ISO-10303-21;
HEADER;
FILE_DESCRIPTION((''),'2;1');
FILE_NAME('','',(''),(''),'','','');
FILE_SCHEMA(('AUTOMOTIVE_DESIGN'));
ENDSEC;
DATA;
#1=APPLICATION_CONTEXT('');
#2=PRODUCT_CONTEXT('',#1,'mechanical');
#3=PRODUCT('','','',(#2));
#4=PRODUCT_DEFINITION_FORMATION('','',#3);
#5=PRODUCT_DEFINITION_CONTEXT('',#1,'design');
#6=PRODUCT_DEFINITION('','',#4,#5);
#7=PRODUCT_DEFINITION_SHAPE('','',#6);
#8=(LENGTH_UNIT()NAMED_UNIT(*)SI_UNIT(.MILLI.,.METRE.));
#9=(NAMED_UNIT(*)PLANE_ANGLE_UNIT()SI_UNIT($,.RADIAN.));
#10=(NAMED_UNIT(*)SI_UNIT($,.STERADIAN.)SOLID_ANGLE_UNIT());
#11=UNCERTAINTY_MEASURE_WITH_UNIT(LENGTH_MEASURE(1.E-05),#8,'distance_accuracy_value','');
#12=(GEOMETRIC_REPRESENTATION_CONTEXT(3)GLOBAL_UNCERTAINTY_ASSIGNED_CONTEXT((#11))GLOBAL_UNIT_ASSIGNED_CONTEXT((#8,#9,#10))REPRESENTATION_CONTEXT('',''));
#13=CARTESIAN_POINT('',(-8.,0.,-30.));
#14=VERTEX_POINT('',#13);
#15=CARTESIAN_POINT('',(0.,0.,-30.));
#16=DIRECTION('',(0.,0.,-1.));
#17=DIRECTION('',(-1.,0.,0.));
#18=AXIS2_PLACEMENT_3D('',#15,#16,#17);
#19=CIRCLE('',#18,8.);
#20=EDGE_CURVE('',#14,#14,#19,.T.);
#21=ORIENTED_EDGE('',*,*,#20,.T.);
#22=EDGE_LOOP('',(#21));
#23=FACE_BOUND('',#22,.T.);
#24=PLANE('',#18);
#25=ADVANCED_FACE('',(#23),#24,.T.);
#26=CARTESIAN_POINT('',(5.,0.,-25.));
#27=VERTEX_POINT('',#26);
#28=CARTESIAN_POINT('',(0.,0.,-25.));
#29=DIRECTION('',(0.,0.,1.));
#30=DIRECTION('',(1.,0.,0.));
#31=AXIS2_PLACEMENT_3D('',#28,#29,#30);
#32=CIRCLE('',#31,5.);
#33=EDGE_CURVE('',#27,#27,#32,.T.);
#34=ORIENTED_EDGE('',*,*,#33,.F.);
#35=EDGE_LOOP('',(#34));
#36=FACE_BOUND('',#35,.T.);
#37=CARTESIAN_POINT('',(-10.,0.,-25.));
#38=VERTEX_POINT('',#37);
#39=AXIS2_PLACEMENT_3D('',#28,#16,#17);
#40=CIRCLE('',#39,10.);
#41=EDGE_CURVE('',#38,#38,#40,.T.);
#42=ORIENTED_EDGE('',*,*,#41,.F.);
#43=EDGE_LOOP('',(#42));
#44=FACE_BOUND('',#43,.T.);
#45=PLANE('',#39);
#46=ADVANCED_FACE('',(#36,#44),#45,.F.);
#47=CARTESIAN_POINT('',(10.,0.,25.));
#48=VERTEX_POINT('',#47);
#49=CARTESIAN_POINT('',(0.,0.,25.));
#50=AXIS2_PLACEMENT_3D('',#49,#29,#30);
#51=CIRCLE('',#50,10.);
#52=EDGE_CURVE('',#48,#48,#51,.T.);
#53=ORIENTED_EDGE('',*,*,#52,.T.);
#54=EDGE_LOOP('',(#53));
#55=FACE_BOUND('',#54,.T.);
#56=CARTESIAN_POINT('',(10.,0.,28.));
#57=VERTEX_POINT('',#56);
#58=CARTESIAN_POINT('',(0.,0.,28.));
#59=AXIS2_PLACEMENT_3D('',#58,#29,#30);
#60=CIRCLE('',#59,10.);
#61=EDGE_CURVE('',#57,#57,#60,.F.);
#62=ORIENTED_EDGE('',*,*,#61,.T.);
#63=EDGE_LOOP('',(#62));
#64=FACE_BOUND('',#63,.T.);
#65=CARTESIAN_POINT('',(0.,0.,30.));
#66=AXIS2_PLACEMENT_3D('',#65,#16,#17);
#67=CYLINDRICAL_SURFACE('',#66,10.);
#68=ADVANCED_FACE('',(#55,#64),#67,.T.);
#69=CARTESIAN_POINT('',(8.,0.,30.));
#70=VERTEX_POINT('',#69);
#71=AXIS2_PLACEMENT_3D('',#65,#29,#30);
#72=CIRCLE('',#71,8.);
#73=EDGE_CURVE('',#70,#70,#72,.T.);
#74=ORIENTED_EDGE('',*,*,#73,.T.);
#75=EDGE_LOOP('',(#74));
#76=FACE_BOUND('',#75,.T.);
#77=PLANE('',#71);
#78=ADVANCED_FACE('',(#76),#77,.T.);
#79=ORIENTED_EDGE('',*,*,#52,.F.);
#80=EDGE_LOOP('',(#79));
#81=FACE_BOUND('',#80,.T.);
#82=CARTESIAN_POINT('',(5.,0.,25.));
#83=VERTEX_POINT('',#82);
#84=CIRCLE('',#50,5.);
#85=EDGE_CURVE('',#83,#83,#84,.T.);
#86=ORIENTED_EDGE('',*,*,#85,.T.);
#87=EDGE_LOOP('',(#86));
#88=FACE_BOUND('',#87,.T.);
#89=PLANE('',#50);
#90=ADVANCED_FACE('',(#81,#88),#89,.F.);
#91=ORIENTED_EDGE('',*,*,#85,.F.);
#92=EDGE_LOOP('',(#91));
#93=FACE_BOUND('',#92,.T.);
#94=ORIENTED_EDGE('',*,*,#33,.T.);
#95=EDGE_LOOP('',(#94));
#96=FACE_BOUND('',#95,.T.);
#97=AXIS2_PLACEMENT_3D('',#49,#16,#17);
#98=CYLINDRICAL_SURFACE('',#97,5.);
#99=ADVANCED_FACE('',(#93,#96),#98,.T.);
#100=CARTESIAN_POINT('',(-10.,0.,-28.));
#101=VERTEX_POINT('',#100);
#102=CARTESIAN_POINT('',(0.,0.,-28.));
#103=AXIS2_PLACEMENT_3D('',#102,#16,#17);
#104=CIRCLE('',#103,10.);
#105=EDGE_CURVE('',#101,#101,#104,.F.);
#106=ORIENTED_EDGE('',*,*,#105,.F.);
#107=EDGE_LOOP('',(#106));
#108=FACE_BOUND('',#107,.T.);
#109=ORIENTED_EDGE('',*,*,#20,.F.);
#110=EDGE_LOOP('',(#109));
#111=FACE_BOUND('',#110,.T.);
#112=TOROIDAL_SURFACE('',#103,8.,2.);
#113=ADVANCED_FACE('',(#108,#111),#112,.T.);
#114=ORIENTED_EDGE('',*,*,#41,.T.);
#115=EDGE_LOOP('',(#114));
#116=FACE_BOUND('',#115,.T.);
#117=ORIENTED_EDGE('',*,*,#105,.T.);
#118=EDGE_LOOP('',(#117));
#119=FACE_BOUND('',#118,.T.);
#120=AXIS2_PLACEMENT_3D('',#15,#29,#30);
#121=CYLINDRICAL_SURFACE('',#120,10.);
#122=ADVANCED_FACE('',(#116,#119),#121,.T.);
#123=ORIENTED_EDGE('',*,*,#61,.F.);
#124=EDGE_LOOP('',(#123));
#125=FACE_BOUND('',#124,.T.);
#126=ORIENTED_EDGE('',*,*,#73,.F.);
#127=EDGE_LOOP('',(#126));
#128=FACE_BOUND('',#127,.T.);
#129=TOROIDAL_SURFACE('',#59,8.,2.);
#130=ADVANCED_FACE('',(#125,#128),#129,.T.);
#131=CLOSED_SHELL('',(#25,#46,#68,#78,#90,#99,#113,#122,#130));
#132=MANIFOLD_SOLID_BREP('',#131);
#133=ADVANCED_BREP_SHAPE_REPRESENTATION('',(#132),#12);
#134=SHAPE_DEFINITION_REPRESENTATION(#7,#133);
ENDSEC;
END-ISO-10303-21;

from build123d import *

# Parameters (mm, degrees)
SKETCH1_R           = 5
BOSS_EXTRUDE1_DEPTH = 25
SKETCH2_R           = 10
BOSS_EXTRUDE2_DEPTH = 5
SKETCH3_R           = 10
BOSS_EXTRUDE3_DEPTH = 5
FILLET1_R           = 2
FILLET2_R           = 2


with BuildPart() as part:
    # Sketch1 → Boss-Extrude1 (new body, symmetric)
    with BuildSketch(Plane.XY):
        Circle(SKETCH1_R)
    extrude(amount=BOSS_EXTRUDE1_DEPTH, both=True)

    # Sketch2 → Boss-Extrude2 (add)
    with BuildSketch(Plane.XY.offset(25)):
        Circle(SKETCH2_R)
    extrude(amount=BOSS_EXTRUDE2_DEPTH)

    # Sketch3 → Boss-Extrude3 (add)
    with BuildSketch(Plane(origin=(0, 0, -25), x_dir=(-1, 0, 0), z_dir=(0, 0, -1))):
        Circle(SKETCH3_R)
    extrude(amount=BOSS_EXTRUDE3_DEPTH)

    # Fillet1
    fillet1_edges = [part.edges().sort_by_distance(p)[0] for p in [
        (-10, 0, 30),
    ]]
    fillet(fillet1_edges, radius=FILLET1_R)

    # Fillet2
    fillet2_edges = [part.edges().sort_by_distance(p)[0] for p in [
        (10, 0, -30),
    ]]
    fillet(fillet2_edges, radius=FILLET2_R)


solid = part.part
